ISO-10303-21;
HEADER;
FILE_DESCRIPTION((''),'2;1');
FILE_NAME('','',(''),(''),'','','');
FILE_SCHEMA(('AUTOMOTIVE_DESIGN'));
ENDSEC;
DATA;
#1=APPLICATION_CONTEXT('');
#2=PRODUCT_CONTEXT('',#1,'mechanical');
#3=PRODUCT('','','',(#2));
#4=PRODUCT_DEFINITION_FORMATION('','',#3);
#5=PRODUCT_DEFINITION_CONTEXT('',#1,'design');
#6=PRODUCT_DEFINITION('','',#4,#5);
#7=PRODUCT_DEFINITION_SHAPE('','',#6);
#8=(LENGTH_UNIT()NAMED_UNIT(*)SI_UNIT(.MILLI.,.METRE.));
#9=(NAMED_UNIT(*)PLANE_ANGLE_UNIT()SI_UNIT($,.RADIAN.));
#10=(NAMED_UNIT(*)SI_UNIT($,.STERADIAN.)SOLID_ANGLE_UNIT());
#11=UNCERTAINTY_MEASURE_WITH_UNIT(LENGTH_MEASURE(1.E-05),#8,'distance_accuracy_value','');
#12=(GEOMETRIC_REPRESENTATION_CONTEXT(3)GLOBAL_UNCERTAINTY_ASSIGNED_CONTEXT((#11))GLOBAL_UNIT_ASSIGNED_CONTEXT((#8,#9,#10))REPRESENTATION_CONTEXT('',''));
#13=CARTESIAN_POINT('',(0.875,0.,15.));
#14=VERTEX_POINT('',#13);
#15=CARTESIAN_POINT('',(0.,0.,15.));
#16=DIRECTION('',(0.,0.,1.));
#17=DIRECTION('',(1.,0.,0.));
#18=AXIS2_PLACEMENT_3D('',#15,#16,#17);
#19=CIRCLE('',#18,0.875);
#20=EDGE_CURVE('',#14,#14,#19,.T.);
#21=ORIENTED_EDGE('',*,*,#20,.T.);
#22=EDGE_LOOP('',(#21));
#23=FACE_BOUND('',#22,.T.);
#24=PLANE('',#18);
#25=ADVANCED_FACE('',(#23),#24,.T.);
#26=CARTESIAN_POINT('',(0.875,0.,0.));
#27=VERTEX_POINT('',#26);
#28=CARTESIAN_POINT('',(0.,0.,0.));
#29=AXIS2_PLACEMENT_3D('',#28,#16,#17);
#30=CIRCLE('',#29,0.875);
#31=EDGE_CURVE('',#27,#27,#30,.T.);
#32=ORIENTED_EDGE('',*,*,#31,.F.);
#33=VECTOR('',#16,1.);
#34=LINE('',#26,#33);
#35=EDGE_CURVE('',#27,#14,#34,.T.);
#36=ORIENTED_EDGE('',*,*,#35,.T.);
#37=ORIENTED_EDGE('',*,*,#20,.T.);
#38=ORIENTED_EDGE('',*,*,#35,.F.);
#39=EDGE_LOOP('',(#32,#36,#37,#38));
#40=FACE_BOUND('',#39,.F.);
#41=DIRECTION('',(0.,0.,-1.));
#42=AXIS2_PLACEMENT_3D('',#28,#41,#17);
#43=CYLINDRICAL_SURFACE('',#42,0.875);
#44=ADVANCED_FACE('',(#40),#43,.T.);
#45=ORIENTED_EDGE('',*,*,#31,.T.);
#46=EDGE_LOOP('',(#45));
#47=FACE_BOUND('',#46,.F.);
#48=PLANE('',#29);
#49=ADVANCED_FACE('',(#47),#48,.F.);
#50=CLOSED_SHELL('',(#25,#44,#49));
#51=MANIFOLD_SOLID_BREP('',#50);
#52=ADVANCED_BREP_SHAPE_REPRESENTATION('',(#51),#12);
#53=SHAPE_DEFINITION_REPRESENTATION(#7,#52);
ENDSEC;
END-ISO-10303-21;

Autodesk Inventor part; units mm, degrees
ref_plane "YZ Plane" through (0, 0, 0) normal (1, 0, 0) x (0, 1, 0)
ref_plane "XZ Plane" through (0, 0, 0) normal (0, 1, 0) x (-1, 0, 0)
ref_plane "XY Plane" through (0, 0, 0) normal (0, 0, 1) x (1, 0, 0)
sketch "Sketch1" plane through (0, 0, 0) normal (0, 0, 1) x (1, 0, 0)
  circle A0 centre (0, 0) radius 0.875
  dimension "d0" = 1.75
extrude "Extrusion1" add sketch "Sketch1" along normal blind 15
sketch "Sketch4" plane through (0, 0, 0) normal (0, 0, -1) x (-1, 0, 0)
  circle A0 centre (0, 0) radius 0.875 projected
properties part number "redlead"
